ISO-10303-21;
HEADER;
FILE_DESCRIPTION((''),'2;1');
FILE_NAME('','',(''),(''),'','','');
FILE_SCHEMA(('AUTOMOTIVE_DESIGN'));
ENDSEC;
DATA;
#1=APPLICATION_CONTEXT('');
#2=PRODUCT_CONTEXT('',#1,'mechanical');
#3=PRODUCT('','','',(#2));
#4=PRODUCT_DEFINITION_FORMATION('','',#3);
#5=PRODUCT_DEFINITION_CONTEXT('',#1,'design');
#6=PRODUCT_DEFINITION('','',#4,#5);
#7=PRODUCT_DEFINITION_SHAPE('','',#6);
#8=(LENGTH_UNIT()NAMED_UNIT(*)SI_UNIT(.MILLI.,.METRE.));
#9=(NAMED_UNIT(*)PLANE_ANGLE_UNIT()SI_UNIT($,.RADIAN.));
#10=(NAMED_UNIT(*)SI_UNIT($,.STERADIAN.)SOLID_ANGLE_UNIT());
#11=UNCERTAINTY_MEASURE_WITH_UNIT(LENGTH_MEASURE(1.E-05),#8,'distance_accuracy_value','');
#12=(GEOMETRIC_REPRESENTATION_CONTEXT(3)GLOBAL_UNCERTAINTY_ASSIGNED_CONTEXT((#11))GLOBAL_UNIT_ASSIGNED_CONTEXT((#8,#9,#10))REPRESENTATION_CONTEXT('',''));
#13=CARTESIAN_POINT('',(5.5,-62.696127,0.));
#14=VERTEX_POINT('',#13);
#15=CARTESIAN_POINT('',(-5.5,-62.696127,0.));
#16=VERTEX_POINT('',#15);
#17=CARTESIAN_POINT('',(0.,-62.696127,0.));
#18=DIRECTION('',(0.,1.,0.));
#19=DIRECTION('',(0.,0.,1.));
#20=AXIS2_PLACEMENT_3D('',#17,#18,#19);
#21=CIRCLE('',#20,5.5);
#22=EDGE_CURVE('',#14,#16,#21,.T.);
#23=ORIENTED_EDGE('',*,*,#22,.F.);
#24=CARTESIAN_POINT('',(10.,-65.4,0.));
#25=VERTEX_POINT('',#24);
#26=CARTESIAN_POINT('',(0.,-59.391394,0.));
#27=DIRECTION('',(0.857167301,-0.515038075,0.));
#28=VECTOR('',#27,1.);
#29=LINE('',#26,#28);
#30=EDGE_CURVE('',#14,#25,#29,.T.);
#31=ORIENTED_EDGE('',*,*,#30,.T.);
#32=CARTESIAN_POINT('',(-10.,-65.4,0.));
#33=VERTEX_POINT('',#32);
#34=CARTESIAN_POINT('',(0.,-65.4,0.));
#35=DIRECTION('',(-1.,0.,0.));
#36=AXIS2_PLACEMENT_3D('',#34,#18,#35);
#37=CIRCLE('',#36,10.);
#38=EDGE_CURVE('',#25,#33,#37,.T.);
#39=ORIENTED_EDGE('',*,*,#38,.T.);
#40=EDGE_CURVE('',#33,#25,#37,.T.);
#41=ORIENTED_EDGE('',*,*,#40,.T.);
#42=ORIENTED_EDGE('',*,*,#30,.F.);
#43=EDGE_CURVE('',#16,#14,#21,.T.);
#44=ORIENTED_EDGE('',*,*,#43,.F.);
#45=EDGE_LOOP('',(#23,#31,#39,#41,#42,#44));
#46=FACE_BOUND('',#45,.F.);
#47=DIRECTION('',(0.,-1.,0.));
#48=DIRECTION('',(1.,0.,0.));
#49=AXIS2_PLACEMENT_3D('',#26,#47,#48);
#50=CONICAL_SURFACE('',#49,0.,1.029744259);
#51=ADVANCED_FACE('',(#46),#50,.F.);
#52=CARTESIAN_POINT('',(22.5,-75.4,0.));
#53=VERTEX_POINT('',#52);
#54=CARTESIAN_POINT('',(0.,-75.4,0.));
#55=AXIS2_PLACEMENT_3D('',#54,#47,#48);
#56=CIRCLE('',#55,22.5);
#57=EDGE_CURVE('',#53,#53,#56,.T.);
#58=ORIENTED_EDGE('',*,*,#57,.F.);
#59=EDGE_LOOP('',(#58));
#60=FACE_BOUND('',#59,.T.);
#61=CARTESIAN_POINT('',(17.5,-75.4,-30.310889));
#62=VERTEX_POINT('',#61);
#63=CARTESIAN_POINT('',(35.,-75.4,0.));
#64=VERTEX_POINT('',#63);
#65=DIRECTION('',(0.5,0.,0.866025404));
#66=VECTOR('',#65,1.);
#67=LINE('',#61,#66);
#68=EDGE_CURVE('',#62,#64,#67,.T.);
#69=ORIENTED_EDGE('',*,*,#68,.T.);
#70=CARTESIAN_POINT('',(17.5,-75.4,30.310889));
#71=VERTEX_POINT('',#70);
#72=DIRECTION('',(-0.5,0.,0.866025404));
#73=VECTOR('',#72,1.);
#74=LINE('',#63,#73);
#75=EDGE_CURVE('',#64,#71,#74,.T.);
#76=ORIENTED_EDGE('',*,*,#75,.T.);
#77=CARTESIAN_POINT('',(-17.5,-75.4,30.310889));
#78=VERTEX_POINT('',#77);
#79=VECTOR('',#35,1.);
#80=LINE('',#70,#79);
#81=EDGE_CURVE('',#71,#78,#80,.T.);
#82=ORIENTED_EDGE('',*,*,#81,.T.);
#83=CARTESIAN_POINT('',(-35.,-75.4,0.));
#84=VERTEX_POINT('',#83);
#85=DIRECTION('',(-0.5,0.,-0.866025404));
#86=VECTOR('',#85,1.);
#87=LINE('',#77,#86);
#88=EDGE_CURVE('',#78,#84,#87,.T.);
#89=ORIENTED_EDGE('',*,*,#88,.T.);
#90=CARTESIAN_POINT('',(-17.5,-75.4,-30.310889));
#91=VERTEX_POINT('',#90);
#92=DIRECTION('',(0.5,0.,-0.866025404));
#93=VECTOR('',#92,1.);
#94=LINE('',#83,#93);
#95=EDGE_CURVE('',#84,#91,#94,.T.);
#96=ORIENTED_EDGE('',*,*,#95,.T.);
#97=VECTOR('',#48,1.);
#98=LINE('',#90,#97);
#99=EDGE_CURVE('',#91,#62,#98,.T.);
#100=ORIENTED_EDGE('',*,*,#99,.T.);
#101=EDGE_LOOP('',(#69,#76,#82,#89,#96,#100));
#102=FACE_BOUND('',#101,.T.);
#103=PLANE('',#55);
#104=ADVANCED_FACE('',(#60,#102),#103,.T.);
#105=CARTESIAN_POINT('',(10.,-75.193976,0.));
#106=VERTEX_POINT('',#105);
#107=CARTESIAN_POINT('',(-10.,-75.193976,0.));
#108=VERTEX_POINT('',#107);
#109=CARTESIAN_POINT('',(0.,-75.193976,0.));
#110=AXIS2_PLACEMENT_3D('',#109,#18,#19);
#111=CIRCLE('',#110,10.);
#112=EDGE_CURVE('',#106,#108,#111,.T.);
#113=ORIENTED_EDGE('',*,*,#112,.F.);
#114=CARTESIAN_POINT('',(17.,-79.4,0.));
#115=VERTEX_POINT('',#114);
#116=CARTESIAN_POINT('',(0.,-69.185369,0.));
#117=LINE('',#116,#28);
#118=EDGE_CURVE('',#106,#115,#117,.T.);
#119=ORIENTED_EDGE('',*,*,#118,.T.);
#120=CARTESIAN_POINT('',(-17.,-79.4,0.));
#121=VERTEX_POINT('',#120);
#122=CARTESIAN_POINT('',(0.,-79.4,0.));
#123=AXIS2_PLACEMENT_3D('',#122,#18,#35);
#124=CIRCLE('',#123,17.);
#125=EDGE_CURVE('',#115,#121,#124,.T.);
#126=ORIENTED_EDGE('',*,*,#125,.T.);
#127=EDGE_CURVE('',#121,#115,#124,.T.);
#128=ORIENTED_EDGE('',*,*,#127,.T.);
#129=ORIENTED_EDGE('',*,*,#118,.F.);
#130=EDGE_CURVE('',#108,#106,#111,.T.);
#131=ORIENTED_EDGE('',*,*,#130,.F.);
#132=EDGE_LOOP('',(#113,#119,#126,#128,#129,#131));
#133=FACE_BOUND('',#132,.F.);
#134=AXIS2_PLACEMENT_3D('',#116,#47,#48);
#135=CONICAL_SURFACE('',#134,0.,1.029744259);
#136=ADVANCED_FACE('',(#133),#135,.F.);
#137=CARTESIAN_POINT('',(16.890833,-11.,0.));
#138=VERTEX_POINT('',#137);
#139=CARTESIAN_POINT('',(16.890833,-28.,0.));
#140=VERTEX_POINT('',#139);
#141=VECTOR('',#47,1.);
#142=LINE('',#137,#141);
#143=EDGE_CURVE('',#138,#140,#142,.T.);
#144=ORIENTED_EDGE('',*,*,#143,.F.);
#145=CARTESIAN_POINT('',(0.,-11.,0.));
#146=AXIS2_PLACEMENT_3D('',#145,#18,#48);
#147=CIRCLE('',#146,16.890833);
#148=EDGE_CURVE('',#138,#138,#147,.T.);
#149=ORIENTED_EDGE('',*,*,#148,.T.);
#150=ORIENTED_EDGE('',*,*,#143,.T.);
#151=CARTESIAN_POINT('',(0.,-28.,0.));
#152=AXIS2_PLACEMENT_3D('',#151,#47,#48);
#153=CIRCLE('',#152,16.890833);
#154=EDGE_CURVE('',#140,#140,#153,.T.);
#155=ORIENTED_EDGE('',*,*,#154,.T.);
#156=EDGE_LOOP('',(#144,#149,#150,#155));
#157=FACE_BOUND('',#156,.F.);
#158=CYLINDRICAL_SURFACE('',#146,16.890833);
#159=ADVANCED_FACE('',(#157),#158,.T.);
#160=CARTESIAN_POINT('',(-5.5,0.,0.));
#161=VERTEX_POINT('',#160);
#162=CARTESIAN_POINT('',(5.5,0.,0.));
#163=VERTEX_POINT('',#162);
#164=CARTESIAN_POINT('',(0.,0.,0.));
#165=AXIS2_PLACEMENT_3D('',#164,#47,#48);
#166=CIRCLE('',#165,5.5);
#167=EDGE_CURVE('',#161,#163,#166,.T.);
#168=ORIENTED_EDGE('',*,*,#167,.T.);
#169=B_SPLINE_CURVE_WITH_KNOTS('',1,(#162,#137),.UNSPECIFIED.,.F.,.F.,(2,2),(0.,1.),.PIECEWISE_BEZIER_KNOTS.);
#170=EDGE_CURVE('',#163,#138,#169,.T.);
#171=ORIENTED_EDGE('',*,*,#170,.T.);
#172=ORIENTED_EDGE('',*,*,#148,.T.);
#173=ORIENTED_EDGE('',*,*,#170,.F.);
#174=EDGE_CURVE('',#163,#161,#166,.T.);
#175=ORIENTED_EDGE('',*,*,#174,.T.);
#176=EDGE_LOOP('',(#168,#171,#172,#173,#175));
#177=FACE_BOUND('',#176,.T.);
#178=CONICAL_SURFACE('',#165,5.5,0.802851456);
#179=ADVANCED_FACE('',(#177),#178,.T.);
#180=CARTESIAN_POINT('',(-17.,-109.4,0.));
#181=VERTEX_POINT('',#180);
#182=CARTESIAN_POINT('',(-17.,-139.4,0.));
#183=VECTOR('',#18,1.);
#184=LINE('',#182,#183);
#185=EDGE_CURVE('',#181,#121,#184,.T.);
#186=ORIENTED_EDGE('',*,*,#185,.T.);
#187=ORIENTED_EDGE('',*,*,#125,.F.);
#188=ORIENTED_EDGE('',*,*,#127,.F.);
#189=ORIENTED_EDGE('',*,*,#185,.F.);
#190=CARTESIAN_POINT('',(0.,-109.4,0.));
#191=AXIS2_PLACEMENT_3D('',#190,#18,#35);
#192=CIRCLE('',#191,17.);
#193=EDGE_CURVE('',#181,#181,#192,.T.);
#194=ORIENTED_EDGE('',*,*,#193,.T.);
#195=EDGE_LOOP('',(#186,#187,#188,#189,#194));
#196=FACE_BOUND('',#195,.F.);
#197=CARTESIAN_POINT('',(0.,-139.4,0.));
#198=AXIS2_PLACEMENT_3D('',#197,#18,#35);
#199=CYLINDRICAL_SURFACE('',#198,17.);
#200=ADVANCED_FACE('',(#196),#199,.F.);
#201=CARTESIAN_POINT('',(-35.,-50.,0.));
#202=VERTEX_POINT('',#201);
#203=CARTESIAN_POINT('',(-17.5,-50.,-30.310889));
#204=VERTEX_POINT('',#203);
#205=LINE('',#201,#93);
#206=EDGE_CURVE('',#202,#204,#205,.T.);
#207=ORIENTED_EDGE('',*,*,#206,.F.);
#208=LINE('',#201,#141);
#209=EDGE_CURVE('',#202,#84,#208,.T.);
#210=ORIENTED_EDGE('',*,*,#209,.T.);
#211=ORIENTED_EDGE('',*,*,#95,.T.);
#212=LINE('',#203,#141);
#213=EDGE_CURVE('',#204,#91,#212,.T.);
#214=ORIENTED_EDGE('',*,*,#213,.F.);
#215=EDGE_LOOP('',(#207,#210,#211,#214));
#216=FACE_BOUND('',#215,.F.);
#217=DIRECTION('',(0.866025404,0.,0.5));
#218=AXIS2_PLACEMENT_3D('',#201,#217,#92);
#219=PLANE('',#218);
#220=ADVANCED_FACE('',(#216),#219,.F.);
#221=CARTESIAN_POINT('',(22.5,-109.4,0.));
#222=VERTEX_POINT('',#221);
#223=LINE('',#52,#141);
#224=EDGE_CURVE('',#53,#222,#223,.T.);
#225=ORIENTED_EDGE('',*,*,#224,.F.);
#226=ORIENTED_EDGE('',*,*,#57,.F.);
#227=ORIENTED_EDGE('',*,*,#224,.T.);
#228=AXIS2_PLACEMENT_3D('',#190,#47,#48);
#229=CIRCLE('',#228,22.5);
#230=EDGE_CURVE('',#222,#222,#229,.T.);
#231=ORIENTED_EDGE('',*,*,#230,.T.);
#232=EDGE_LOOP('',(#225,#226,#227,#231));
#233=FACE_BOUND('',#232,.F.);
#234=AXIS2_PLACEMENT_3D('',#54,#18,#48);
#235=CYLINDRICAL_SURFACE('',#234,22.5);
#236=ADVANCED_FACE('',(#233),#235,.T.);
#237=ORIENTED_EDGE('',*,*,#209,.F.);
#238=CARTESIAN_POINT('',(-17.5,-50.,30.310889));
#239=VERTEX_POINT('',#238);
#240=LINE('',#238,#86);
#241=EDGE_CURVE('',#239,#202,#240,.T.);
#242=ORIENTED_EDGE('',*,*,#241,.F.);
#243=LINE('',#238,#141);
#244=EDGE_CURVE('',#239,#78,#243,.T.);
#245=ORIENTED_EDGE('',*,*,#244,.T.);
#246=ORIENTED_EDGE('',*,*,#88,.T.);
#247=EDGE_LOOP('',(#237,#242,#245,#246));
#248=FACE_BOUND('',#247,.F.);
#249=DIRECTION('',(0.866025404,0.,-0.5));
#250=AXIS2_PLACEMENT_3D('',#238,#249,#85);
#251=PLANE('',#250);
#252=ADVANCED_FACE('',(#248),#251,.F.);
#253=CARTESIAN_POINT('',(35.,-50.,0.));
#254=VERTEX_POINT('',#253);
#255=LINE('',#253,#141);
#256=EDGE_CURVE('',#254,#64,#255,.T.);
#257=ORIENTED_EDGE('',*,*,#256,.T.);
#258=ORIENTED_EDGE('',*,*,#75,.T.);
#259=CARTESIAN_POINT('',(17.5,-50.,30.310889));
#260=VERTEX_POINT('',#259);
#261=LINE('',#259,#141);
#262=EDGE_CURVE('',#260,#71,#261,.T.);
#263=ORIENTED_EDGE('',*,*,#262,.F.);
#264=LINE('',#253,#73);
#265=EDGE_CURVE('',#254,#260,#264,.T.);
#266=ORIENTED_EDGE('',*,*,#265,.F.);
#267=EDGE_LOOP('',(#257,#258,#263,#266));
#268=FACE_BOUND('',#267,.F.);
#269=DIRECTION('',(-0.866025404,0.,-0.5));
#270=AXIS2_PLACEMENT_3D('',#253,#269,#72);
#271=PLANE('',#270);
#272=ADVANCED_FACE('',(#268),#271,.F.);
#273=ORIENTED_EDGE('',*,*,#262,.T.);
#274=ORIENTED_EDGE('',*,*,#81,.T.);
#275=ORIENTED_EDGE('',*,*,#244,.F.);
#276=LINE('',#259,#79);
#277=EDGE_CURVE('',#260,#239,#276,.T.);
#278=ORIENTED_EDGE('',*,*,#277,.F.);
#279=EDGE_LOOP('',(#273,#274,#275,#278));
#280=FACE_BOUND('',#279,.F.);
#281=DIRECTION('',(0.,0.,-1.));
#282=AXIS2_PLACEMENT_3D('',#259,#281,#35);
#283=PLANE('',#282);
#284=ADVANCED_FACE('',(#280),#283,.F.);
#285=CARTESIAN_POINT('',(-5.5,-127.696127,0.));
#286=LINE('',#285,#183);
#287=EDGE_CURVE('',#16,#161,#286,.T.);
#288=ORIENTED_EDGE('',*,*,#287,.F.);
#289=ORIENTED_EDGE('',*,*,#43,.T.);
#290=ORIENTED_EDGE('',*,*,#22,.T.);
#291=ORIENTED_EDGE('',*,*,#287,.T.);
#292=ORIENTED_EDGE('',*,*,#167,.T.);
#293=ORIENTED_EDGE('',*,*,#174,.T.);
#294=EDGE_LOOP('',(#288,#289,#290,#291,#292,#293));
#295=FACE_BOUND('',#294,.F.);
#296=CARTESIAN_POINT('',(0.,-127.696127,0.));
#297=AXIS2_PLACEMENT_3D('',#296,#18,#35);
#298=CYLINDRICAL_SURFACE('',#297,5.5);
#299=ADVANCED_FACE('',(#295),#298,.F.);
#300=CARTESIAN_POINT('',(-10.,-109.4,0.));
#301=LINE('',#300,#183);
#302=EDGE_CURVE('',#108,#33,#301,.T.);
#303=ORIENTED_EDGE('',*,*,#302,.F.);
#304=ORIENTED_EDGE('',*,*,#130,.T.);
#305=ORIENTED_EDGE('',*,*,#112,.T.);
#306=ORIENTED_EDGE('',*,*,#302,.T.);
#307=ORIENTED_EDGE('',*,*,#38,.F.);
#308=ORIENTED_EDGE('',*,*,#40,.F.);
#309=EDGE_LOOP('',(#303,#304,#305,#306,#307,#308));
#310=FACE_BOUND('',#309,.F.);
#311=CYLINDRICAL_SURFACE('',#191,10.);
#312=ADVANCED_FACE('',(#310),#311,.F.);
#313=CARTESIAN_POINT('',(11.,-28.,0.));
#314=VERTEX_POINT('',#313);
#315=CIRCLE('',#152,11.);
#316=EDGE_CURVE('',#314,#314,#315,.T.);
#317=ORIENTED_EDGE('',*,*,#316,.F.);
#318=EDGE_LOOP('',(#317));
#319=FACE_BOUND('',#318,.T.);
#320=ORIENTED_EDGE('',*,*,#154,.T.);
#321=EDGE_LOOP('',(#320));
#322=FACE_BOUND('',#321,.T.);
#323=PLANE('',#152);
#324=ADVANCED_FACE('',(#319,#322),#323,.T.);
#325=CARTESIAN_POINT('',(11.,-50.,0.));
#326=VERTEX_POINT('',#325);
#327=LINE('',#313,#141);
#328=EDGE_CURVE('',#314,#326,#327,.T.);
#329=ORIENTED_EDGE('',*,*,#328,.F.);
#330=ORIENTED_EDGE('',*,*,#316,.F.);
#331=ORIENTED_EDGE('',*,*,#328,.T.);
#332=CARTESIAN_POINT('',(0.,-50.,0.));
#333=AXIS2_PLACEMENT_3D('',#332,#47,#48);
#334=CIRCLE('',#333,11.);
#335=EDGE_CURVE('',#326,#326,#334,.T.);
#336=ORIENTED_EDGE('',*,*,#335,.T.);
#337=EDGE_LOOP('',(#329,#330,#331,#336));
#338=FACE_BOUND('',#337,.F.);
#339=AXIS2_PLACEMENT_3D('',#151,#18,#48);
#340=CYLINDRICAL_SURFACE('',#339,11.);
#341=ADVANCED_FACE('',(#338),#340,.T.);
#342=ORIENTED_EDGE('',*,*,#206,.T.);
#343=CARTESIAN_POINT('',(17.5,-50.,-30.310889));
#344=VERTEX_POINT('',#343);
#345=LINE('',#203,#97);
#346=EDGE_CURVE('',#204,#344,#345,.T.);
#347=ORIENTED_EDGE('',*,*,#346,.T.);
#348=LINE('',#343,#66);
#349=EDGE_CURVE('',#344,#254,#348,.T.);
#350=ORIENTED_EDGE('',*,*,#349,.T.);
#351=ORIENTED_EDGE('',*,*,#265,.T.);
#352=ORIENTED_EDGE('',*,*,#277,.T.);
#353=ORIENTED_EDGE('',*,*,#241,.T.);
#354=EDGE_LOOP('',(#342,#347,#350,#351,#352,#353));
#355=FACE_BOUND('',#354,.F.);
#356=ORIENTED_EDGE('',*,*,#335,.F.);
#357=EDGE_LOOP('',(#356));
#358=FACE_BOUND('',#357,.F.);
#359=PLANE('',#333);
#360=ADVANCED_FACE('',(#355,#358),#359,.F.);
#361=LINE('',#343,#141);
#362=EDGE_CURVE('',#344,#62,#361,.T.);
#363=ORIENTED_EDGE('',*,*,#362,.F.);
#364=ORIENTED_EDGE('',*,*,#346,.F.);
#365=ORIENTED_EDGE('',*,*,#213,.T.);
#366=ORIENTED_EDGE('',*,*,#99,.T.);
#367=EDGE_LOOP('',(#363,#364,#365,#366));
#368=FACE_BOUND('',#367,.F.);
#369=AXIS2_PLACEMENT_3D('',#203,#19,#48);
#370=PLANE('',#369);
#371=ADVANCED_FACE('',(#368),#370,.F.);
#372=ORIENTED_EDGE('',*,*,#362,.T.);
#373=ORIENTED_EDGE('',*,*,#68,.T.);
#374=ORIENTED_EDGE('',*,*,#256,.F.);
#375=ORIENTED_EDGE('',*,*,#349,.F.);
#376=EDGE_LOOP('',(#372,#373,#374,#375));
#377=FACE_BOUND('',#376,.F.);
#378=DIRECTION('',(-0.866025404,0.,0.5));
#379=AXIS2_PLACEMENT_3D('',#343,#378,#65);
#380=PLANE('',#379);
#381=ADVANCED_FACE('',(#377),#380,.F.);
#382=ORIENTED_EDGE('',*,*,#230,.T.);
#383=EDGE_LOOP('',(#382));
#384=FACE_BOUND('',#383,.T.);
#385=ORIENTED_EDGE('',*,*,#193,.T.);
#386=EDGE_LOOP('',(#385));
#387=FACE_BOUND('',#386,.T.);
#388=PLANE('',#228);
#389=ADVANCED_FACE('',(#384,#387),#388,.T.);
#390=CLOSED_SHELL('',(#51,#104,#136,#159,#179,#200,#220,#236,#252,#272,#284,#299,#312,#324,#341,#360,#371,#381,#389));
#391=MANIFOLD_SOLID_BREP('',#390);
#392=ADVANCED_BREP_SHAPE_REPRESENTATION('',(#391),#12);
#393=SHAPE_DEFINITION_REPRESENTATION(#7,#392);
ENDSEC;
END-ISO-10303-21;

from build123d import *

# Parameters (mm, degrees)
F0_R            = 5.5
F1_DEPTH        = 11
F1_TAPER        = -46
F2_R            = 16.8908334517
F3_DEPTH        = 17
F4_R            = 11
F5_DEPTH        = 22
F6_R            = 11
F7_DEPTH        = 25.4
F8_R            = 22.5
F8_R_2          = 5.5
F9_DEPTH        = 34
F11_D           = 34
F11_DEPTH       = 30
F11_TIP         = 10.2146305235
F12_D           = 20
F12_DEPTH       = 44
F12_CSINK_D     = 34
F12_CSINK_ANGLE = 46
F12_TIP         = 6.0086061903
F13_D           = 11
F13_DEPTH       = 65
F13_START       = 46.7038728
F13_TIP         = 3.3047334047


with BuildPart() as f1:
    # F0 (on Front) → F1 (new body)
    with BuildSketch(Plane.XZ):
        Circle(F0_R)
    extrude(amount=F1_DEPTH, taper=F1_TAPER)

    # F2 (on face) → F3 (join)
    with BuildSketch(Plane.XZ.offset(11)):
        Circle(F2_R)
    extrude(amount=F3_DEPTH)

    # F4 (on face) → F5 (join)
    with BuildSketch(Plane.XZ.offset(28)):
        Circle(F4_R)
    extrude(amount=F5_DEPTH)

    # F6 (on face) → F7 (join)
    with BuildSketch(Plane.XZ.offset(50)):
        Polygon((17.5, -30.3108891325), (35, 0), (17.5, 30.3108891325), (-17.5, 30.3108891325), (-35, 0), (-17.5, -30.3108891325), align=None)
        Circle(F6_R, mode=Mode.SUBTRACT)
        Circle(F6_R)
    extrude(amount=F7_DEPTH)

    # F8 (on face) → F9 (join)
    with BuildSketch(Plane.XZ.offset(75.4)):
        Circle(F8_R)
        Circle(F8_R_2, mode=Mode.SUBTRACT)
        Circle(F8_R_2)
    extrude(amount=F9_DEPTH)

    # F11
    with Locations(Plane.XZ.offset(109.4)):
        with Locations((0, 0)):
            Hole(F11_D / 2, depth=F11_DEPTH)
            with Locations((0, 0, -(F11_DEPTH + F11_TIP / 2))):  # 118° drill point
                Cone(0, F11_D / 2, F11_TIP, mode=Mode.SUBTRACT)

    # F12
    with Locations(Plane.XZ.offset(109.4)):
        with Locations((0, 0)):
            CounterSinkHole(F12_D / 2, F12_CSINK_D / 2, depth=F12_DEPTH, counter_sink_angle=F12_CSINK_ANGLE)
            with Locations((0, 0, -(F12_DEPTH + F12_TIP / 2))):  # 118° drill point
                Cone(0, F12_D / 2, F12_TIP, mode=Mode.SUBTRACT)

    # F13
    # its depths count from where the whole tool has entered the part; down to there all is cleared
    with Locations(Plane.XZ.offset(109.4).offset(-F13_START)):
        with Locations((0, 0)):
            Hole(F13_D / 2, depth=F13_DEPTH)
            with Locations((0, 0, -(F13_DEPTH + F13_TIP / 2))):  # 118° drill point
                Cone(0, F13_D / 2, F13_TIP, mode=Mode.SUBTRACT)


solid = f1.part
